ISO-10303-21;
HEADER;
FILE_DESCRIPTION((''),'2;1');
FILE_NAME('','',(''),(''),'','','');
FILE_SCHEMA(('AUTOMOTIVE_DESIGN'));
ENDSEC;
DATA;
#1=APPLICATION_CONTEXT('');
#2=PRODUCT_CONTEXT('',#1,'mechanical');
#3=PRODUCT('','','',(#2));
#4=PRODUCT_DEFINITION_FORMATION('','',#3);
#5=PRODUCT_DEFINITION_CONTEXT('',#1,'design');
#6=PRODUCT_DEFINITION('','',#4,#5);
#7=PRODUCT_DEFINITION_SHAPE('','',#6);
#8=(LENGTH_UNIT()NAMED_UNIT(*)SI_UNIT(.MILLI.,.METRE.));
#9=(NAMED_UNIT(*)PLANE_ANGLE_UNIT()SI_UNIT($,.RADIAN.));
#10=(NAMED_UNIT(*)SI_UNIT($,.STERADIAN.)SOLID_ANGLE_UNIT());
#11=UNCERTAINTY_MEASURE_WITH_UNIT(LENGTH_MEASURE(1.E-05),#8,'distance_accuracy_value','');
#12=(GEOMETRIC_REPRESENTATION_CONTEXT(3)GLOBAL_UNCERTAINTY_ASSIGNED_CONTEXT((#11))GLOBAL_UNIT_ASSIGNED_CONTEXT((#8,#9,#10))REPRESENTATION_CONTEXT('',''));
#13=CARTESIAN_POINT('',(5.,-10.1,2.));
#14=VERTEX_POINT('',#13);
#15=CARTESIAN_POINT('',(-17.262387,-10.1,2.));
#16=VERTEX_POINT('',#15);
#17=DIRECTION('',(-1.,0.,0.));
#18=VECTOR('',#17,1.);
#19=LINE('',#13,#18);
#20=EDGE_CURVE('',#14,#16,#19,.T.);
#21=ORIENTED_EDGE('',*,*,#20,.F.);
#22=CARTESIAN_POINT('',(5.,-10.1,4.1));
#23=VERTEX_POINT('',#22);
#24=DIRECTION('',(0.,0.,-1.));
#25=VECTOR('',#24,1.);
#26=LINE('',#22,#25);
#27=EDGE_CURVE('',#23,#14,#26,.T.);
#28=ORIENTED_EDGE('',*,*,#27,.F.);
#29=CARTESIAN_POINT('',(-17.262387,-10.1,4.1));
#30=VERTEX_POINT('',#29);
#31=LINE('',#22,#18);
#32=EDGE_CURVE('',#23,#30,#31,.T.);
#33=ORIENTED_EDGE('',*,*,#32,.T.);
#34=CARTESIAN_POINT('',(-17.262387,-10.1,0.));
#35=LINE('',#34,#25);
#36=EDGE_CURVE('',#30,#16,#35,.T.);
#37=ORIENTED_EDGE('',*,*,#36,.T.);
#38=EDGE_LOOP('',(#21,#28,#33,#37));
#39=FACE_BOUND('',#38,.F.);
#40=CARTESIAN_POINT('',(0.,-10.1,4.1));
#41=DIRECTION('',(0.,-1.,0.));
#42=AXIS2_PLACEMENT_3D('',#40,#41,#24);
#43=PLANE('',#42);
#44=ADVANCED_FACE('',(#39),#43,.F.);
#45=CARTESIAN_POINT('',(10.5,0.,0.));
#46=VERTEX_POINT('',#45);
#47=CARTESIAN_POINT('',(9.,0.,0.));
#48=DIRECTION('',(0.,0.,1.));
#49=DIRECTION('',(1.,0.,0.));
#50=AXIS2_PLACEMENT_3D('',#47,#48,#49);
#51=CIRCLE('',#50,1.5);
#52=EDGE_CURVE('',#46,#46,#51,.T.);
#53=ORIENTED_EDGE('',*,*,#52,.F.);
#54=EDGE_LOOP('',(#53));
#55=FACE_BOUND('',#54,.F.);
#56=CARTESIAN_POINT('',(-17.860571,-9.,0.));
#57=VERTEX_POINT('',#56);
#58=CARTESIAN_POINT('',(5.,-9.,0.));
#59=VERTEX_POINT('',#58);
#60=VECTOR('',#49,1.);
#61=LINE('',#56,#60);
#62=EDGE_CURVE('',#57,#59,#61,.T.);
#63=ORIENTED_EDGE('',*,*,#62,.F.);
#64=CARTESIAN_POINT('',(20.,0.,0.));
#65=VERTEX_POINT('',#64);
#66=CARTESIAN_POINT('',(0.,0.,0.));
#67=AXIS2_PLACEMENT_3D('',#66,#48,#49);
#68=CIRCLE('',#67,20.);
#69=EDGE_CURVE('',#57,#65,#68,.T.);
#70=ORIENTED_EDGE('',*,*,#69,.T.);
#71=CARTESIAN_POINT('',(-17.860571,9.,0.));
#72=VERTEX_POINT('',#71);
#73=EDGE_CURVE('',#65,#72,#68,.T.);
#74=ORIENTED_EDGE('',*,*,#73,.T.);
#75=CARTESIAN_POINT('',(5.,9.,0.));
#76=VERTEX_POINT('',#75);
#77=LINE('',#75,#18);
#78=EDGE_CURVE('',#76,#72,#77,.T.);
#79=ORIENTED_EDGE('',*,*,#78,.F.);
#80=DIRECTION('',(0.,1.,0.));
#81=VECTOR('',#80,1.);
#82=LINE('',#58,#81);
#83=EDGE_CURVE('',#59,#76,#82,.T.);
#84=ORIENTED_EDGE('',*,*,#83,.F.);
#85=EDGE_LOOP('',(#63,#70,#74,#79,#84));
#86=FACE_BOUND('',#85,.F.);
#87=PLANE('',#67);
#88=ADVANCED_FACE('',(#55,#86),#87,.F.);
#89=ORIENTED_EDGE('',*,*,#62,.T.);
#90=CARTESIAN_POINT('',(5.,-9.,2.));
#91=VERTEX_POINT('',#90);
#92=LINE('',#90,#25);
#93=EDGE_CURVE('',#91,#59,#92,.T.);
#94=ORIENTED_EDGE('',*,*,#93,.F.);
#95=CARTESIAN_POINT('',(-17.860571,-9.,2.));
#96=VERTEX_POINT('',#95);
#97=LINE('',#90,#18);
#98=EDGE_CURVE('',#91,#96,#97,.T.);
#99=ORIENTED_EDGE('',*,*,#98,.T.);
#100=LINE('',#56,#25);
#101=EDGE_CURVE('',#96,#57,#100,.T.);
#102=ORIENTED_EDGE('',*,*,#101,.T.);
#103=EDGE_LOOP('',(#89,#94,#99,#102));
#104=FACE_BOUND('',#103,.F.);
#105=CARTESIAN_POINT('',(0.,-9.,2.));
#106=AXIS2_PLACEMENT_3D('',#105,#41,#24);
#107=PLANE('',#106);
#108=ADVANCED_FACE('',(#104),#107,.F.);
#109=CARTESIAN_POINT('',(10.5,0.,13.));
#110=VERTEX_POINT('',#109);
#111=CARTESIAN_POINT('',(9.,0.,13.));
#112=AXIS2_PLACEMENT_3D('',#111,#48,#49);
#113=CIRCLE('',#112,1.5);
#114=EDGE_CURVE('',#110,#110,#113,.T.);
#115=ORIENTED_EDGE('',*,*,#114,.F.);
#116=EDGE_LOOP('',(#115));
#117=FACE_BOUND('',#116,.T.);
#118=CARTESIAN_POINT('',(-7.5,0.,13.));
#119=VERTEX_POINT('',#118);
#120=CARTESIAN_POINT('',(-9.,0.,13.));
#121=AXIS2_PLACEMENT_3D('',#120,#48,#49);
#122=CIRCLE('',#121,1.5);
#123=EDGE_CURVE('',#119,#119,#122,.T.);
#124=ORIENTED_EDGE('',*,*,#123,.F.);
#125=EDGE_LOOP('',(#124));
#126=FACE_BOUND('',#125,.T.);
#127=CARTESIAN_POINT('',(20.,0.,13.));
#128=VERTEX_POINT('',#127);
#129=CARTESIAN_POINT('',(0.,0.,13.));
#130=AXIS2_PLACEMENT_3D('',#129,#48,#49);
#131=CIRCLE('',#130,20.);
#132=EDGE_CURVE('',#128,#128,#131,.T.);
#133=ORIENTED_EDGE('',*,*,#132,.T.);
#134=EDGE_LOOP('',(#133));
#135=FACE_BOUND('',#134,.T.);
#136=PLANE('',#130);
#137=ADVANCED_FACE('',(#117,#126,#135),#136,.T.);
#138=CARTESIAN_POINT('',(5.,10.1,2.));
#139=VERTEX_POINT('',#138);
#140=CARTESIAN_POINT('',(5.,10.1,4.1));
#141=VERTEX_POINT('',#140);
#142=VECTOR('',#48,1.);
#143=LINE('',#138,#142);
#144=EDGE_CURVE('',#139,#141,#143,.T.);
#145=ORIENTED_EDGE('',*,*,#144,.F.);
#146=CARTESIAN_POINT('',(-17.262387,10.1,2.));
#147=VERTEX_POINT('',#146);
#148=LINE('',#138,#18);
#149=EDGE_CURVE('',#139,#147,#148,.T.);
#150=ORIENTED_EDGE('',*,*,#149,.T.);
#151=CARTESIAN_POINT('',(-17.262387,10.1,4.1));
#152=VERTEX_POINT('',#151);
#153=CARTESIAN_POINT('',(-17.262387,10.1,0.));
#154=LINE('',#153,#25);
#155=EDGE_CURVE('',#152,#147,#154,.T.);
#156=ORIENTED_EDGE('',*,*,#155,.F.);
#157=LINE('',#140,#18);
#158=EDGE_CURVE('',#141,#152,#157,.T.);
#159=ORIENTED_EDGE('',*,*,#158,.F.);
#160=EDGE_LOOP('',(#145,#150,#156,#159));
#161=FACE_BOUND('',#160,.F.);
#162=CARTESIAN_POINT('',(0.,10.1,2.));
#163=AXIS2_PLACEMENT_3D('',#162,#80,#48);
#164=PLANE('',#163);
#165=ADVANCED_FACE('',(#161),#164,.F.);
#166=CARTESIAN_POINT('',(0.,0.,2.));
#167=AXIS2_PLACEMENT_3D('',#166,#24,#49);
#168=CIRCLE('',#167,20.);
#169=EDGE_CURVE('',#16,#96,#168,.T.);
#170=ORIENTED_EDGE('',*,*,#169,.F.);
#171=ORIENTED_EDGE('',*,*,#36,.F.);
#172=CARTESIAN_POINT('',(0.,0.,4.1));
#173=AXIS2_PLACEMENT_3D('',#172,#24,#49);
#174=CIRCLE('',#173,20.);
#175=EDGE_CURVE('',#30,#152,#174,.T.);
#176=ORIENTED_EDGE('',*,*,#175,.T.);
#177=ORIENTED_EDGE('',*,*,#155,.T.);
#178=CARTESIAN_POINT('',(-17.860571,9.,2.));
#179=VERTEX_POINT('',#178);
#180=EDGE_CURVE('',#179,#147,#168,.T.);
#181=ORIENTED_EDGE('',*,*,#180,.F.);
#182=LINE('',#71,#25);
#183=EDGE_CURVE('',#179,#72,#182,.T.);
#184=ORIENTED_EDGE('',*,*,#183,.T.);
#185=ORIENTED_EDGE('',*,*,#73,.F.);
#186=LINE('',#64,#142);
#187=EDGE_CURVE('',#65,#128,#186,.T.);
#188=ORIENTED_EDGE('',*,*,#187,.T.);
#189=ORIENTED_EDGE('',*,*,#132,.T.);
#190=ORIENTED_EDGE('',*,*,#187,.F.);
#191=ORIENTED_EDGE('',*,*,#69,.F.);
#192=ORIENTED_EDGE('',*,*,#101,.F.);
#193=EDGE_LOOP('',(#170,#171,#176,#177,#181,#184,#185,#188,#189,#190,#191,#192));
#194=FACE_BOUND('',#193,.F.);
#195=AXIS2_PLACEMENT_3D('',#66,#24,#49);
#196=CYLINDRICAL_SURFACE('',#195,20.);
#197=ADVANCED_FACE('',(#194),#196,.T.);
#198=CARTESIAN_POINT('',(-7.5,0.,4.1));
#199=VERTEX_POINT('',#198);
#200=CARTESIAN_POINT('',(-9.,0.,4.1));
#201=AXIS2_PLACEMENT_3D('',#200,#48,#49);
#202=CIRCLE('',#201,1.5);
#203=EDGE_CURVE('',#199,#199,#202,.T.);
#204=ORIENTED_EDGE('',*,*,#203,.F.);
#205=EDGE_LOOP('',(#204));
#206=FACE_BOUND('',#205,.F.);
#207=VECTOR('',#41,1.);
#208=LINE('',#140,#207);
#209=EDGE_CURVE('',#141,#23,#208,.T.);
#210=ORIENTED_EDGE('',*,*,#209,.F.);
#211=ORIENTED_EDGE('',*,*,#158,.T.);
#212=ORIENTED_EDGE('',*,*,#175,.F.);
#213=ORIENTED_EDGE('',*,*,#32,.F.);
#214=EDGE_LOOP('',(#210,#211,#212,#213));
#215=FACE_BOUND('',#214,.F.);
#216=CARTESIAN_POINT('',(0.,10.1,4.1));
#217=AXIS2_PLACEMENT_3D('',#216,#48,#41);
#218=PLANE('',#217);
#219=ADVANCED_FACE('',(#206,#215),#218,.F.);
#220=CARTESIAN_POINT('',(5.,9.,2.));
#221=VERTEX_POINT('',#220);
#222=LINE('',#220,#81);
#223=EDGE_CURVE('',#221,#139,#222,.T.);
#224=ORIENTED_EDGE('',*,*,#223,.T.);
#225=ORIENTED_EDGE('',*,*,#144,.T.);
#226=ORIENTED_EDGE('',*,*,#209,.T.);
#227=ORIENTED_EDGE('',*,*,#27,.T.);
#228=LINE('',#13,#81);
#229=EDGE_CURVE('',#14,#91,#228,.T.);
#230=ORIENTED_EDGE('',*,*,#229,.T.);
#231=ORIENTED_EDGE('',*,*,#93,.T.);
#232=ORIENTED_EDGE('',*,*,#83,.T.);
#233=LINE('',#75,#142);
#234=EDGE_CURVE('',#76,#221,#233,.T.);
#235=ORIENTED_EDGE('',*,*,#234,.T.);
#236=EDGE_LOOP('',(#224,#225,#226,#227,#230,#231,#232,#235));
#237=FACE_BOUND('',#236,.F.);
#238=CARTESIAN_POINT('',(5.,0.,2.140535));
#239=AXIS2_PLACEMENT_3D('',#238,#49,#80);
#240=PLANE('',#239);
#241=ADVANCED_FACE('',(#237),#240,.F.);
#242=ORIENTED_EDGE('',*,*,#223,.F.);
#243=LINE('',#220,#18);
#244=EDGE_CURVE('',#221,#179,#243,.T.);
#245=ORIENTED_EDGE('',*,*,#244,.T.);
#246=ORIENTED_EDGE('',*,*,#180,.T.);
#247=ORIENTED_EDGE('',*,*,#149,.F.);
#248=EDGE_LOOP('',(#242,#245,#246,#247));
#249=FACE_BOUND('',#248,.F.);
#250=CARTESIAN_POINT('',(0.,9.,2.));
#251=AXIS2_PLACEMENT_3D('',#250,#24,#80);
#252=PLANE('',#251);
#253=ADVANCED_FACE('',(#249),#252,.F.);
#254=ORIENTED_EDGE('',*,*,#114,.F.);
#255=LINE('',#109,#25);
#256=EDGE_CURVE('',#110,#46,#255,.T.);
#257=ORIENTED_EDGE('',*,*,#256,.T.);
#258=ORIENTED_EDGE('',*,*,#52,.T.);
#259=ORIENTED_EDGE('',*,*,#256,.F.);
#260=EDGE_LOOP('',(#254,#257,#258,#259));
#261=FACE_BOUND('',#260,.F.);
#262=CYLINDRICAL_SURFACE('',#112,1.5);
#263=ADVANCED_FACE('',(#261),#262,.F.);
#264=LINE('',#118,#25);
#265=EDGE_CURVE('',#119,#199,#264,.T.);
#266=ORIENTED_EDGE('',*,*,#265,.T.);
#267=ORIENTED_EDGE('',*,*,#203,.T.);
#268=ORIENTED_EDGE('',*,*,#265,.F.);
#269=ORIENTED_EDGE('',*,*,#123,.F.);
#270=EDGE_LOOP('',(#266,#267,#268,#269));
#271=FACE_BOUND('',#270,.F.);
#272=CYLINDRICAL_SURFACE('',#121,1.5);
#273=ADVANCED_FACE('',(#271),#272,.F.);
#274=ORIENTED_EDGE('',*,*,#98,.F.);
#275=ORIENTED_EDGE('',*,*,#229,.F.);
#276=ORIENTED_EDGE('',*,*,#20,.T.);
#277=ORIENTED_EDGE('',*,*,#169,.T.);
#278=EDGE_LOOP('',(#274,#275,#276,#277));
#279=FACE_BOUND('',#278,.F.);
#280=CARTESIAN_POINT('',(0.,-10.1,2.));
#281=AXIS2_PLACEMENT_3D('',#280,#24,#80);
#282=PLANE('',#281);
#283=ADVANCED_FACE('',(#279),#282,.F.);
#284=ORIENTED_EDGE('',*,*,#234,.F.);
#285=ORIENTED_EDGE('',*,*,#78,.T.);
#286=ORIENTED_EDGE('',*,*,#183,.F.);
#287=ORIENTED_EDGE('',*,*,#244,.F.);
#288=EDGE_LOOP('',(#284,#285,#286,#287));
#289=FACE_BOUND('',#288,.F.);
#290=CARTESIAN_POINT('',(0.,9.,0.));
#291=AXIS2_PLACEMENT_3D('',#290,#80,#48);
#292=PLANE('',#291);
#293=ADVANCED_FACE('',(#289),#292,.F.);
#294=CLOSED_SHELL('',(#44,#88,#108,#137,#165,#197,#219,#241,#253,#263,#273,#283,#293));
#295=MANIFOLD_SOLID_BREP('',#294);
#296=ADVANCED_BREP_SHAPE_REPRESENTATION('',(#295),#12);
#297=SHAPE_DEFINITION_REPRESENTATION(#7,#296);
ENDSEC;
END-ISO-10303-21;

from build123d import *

# Parameters (mm, degrees)
F0_R          = 20
F1_DEPTH      = 13
F3_DEPTH      = 25
F3_DEPTH_BACK = 5
F4_R          = 1.5
F5_DEPTH      = 13.001


with BuildPart() as f1:
    # F0 (on Top) → F1 (new body)
    with BuildSketch(Plane.XY):
        Circle(F0_R)
    extrude(amount=F1_DEPTH)

    # F2 (on Right) → F3 (cut, two sides)
    with BuildSketch(Plane.YZ) as f3_sk:
        Polygon((-9, 2), (-9, 0), (9, 0), (9, 2), (10.1, 2), (10.1, 4.1), (-10.1, 4.1), (-10.1, 2), align=None)
    extrude(amount=-F3_DEPTH, mode=Mode.SUBTRACT)
    extrude(f3_sk.sketch, amount=F3_DEPTH_BACK, mode=Mode.SUBTRACT)

    # F4 (on face) → F5 (cut, through all)
    with BuildSketch(Plane.XY.offset(13)):
        with Locations((-9, 0)):
            Circle(F4_R)
        with Locations((9, 0)):
            Circle(F4_R)
    extrude(amount=-F5_DEPTH, mode=Mode.SUBTRACT)


solid = f1.part
